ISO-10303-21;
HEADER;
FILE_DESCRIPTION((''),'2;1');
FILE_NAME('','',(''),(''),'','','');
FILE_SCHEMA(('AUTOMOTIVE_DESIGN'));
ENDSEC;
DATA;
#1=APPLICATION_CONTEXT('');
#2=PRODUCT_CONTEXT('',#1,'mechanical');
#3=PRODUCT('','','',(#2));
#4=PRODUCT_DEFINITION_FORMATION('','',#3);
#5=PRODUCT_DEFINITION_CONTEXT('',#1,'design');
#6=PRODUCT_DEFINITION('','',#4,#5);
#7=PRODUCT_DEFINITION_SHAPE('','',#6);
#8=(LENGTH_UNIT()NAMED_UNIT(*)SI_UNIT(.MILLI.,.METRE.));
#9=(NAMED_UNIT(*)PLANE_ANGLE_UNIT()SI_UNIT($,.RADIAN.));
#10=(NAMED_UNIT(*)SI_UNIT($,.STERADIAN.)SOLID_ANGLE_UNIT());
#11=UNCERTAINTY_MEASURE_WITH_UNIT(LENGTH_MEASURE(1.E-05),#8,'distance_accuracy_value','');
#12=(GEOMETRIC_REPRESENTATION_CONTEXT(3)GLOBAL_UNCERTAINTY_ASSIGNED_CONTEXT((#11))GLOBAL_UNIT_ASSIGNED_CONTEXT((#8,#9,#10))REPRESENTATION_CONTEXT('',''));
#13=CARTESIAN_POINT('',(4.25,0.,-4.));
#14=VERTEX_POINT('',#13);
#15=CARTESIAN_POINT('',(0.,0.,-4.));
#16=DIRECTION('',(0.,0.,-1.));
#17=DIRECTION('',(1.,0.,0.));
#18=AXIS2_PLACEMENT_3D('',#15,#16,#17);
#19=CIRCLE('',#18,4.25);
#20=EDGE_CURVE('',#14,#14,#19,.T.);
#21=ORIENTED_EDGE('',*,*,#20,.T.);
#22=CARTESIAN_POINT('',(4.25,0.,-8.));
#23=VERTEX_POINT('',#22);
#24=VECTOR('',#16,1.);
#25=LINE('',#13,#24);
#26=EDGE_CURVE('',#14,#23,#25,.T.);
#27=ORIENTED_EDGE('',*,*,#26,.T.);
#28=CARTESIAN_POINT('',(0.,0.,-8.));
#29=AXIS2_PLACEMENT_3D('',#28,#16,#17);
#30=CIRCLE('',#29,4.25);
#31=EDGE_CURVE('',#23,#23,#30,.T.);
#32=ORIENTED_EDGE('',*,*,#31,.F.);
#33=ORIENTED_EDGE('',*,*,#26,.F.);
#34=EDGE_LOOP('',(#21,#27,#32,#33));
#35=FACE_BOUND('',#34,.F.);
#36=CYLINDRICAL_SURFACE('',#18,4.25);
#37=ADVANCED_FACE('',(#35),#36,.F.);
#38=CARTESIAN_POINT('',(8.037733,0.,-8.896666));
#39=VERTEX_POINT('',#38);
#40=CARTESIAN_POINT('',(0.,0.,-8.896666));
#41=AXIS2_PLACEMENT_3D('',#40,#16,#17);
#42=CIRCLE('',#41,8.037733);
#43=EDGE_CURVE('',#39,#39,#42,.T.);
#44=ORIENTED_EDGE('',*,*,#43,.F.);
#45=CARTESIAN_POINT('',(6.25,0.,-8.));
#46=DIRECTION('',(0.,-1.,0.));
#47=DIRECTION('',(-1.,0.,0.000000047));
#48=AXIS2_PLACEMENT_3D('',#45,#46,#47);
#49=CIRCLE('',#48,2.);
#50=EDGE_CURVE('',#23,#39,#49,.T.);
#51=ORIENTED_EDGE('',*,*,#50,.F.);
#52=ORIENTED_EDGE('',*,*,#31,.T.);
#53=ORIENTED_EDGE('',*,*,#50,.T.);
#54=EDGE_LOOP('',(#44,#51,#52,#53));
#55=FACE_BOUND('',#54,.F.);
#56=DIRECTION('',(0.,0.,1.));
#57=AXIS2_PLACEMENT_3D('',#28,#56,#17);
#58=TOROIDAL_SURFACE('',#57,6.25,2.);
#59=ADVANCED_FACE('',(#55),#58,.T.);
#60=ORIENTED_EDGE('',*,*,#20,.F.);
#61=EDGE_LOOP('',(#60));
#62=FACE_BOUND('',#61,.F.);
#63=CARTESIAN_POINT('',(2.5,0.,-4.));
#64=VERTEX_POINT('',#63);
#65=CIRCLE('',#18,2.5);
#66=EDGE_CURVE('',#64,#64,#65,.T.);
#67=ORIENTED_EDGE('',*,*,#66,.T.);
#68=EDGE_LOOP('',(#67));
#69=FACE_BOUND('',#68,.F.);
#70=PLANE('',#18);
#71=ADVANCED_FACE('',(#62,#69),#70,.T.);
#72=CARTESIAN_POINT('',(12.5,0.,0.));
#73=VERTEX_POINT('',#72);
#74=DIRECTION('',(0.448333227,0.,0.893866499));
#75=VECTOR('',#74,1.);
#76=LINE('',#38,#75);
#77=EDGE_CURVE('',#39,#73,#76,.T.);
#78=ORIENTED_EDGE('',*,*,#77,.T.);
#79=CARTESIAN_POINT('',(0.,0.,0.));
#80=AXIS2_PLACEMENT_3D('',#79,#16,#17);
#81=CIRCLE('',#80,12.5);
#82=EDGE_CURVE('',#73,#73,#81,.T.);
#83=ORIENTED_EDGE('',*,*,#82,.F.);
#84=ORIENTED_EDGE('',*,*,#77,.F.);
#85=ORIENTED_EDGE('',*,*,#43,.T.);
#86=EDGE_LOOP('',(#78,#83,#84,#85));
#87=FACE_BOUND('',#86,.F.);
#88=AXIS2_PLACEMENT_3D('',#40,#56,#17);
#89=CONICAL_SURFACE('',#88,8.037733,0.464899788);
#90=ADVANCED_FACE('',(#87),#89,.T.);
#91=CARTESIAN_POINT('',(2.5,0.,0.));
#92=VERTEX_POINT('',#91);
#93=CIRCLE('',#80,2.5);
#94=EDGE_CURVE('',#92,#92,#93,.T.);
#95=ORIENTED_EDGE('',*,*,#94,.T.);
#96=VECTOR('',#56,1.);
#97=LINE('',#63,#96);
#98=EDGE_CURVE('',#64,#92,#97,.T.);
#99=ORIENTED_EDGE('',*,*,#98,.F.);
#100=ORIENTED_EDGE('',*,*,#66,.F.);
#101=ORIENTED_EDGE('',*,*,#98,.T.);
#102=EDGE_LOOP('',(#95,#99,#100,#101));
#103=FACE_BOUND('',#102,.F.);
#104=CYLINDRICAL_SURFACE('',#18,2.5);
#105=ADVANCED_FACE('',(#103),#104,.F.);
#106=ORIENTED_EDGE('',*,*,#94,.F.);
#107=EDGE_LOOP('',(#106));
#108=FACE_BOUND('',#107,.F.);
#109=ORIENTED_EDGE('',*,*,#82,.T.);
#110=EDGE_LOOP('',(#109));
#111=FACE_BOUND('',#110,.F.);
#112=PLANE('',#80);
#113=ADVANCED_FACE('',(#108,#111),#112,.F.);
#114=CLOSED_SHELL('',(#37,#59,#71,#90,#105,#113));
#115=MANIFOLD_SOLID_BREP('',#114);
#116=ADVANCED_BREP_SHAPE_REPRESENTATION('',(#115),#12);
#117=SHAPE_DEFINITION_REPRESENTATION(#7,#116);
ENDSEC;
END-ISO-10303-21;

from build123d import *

# Parameters (mm, degrees)
F2_R     = 2.5
F3_DEPTH = 4.001


with BuildPart() as f1:
    # F0 (on Front) → F1 (revolve)
    with BuildSketch(Plane.XZ):
        with BuildLine():
            Line((12.5, 0), (0, 0))
            Line((0, 0), (0, -4))
            Line((0, -4), (4.25, -4))
            Line((4.25, -4), (4.25, -8))
            ThreePointArc((4.25, -8), (5.789276, -9.94621), (8.037733, -8.896666))
            Line((8.037733, -8.896666), (12.5, 0))
        make_face()
    revolve(axis=Axis((0, 0, -2), (0, 0, -1)))

    # F2 (on face) → F3 (cut, through all)
    with BuildSketch(Plane(origin=(0, 0, -4), x_dir=(1, 0, 0), z_dir=(0, 0, -1))):
        Circle(F2_R)
    extrude(amount=-F3_DEPTH, mode=Mode.SUBTRACT)


solid = f1.part
